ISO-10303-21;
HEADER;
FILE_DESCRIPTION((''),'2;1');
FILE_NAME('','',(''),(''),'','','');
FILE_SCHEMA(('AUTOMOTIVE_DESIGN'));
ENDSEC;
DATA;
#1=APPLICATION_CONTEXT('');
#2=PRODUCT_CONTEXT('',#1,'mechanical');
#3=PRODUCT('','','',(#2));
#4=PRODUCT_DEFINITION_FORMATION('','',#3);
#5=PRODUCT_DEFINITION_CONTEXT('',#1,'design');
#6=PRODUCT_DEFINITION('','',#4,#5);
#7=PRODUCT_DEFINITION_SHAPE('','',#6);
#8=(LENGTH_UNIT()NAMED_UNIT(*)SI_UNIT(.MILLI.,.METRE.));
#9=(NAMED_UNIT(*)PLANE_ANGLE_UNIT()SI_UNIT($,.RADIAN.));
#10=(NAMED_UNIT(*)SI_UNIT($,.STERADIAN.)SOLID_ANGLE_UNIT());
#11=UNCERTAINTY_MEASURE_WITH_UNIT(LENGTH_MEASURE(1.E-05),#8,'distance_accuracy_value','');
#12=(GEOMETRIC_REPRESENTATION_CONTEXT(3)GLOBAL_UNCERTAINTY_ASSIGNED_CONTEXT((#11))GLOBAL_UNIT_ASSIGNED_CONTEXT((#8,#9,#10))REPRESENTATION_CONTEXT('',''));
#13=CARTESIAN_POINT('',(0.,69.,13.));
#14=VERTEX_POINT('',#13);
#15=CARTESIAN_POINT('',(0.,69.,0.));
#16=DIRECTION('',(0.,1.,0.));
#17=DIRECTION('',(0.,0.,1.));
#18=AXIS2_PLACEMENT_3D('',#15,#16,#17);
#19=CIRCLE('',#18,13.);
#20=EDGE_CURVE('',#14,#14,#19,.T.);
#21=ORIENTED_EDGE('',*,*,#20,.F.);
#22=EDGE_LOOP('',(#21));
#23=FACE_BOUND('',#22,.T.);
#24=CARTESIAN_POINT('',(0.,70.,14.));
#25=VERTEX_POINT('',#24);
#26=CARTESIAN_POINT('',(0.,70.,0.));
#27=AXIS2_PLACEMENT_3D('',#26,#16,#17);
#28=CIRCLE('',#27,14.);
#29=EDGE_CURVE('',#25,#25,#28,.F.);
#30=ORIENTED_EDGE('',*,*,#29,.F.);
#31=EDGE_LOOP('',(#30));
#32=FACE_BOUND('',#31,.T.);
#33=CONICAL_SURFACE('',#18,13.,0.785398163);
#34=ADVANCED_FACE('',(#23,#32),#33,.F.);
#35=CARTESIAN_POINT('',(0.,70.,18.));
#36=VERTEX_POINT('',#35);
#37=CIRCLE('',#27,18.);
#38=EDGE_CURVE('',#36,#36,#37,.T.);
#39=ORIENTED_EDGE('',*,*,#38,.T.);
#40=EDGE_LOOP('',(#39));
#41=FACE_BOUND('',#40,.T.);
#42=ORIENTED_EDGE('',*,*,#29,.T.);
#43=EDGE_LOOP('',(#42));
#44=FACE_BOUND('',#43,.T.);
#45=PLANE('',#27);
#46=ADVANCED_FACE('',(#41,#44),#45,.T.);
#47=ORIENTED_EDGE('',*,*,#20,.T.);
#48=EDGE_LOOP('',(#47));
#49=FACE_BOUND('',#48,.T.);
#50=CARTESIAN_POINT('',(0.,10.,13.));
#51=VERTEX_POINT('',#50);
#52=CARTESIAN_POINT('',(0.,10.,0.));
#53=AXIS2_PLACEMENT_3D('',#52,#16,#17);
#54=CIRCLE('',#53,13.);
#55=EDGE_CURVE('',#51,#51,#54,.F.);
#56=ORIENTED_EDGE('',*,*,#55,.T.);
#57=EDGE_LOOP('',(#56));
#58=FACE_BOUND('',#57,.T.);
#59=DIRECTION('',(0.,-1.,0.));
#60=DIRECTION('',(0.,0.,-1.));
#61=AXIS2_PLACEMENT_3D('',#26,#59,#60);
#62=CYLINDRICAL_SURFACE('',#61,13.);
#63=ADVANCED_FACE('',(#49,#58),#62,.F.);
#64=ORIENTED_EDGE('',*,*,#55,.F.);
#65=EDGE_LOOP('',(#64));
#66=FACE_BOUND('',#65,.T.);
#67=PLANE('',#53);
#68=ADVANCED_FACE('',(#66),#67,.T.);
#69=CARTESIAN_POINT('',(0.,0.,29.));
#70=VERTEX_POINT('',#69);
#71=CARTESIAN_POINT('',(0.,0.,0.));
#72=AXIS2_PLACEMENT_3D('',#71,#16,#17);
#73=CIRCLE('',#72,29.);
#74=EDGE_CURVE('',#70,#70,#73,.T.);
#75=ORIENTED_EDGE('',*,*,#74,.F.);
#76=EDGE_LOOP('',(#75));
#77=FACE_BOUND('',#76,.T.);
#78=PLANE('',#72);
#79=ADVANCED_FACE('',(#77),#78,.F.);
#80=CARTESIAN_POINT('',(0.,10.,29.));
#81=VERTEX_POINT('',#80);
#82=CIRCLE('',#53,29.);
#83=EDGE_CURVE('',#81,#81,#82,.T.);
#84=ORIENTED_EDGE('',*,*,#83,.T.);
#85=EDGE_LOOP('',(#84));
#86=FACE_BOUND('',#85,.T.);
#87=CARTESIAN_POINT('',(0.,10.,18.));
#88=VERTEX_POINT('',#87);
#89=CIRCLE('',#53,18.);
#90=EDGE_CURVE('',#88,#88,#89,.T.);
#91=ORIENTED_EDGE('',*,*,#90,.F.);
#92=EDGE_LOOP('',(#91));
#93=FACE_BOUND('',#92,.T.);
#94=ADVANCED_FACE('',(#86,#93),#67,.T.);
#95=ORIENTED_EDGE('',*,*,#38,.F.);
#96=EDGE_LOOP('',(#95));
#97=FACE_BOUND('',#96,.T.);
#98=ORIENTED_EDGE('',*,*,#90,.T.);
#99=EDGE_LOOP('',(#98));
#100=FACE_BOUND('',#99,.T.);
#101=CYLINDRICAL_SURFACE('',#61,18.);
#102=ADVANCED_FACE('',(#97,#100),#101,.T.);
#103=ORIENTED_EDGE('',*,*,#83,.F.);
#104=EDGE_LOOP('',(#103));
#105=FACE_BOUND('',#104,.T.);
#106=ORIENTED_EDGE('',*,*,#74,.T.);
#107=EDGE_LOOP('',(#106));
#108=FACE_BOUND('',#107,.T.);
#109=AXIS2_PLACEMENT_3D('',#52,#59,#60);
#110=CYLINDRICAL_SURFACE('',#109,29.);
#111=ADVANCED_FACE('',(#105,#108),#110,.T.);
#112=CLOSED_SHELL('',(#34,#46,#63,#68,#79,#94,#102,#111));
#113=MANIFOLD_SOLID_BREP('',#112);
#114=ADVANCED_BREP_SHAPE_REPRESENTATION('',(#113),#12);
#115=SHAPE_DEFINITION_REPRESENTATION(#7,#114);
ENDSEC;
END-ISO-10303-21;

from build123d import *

# Parameters (mm, degrees)
SKETCH_1_R      = 29
EXTRUDE_1_DEPTH = 10
SKETCH_2_R      = 18
SKETCH_2_R_2    = 13
EXTRUDE_2_DEPTH = 60
CHAMFER_1_SIZE  = 1


with BuildPart() as part:
    # 草图1 → 凸台-拉伸1 (new body)
    with BuildSketch(Plane(origin=(0, 0, 0), x_dir=(1, 0, 0), z_dir=(0, 1, 0))):
        with Locations(Location((0, 0, 0), (0, 0, 270))):
            Circle(SKETCH_1_R)
    extrude(amount=EXTRUDE_1_DEPTH)

    # 草图2 → 凸台-拉伸2 (add)
    with BuildSketch(Plane(origin=(0, 10, 0), x_dir=(1, 0, 0), z_dir=(0, 1, 0))):
        with Locations(Location((0, 0, 0), (0, 0, 270))):
            Circle(SKETCH_2_R)
        with Locations(Location((0, 0, 0), (0, 0, 270))):
            Circle(SKETCH_2_R_2, mode=Mode.SUBTRACT)
    extrude(amount=EXTRUDE_2_DEPTH)

    # 倒角1
    chamfer_1_edges = [part.edges().sort_by_distance(p)[0] for p in [
        (0, 70, -13),
    ]]
    chamfer(chamfer_1_edges, length=CHAMFER_1_SIZE)


solid = part.part
